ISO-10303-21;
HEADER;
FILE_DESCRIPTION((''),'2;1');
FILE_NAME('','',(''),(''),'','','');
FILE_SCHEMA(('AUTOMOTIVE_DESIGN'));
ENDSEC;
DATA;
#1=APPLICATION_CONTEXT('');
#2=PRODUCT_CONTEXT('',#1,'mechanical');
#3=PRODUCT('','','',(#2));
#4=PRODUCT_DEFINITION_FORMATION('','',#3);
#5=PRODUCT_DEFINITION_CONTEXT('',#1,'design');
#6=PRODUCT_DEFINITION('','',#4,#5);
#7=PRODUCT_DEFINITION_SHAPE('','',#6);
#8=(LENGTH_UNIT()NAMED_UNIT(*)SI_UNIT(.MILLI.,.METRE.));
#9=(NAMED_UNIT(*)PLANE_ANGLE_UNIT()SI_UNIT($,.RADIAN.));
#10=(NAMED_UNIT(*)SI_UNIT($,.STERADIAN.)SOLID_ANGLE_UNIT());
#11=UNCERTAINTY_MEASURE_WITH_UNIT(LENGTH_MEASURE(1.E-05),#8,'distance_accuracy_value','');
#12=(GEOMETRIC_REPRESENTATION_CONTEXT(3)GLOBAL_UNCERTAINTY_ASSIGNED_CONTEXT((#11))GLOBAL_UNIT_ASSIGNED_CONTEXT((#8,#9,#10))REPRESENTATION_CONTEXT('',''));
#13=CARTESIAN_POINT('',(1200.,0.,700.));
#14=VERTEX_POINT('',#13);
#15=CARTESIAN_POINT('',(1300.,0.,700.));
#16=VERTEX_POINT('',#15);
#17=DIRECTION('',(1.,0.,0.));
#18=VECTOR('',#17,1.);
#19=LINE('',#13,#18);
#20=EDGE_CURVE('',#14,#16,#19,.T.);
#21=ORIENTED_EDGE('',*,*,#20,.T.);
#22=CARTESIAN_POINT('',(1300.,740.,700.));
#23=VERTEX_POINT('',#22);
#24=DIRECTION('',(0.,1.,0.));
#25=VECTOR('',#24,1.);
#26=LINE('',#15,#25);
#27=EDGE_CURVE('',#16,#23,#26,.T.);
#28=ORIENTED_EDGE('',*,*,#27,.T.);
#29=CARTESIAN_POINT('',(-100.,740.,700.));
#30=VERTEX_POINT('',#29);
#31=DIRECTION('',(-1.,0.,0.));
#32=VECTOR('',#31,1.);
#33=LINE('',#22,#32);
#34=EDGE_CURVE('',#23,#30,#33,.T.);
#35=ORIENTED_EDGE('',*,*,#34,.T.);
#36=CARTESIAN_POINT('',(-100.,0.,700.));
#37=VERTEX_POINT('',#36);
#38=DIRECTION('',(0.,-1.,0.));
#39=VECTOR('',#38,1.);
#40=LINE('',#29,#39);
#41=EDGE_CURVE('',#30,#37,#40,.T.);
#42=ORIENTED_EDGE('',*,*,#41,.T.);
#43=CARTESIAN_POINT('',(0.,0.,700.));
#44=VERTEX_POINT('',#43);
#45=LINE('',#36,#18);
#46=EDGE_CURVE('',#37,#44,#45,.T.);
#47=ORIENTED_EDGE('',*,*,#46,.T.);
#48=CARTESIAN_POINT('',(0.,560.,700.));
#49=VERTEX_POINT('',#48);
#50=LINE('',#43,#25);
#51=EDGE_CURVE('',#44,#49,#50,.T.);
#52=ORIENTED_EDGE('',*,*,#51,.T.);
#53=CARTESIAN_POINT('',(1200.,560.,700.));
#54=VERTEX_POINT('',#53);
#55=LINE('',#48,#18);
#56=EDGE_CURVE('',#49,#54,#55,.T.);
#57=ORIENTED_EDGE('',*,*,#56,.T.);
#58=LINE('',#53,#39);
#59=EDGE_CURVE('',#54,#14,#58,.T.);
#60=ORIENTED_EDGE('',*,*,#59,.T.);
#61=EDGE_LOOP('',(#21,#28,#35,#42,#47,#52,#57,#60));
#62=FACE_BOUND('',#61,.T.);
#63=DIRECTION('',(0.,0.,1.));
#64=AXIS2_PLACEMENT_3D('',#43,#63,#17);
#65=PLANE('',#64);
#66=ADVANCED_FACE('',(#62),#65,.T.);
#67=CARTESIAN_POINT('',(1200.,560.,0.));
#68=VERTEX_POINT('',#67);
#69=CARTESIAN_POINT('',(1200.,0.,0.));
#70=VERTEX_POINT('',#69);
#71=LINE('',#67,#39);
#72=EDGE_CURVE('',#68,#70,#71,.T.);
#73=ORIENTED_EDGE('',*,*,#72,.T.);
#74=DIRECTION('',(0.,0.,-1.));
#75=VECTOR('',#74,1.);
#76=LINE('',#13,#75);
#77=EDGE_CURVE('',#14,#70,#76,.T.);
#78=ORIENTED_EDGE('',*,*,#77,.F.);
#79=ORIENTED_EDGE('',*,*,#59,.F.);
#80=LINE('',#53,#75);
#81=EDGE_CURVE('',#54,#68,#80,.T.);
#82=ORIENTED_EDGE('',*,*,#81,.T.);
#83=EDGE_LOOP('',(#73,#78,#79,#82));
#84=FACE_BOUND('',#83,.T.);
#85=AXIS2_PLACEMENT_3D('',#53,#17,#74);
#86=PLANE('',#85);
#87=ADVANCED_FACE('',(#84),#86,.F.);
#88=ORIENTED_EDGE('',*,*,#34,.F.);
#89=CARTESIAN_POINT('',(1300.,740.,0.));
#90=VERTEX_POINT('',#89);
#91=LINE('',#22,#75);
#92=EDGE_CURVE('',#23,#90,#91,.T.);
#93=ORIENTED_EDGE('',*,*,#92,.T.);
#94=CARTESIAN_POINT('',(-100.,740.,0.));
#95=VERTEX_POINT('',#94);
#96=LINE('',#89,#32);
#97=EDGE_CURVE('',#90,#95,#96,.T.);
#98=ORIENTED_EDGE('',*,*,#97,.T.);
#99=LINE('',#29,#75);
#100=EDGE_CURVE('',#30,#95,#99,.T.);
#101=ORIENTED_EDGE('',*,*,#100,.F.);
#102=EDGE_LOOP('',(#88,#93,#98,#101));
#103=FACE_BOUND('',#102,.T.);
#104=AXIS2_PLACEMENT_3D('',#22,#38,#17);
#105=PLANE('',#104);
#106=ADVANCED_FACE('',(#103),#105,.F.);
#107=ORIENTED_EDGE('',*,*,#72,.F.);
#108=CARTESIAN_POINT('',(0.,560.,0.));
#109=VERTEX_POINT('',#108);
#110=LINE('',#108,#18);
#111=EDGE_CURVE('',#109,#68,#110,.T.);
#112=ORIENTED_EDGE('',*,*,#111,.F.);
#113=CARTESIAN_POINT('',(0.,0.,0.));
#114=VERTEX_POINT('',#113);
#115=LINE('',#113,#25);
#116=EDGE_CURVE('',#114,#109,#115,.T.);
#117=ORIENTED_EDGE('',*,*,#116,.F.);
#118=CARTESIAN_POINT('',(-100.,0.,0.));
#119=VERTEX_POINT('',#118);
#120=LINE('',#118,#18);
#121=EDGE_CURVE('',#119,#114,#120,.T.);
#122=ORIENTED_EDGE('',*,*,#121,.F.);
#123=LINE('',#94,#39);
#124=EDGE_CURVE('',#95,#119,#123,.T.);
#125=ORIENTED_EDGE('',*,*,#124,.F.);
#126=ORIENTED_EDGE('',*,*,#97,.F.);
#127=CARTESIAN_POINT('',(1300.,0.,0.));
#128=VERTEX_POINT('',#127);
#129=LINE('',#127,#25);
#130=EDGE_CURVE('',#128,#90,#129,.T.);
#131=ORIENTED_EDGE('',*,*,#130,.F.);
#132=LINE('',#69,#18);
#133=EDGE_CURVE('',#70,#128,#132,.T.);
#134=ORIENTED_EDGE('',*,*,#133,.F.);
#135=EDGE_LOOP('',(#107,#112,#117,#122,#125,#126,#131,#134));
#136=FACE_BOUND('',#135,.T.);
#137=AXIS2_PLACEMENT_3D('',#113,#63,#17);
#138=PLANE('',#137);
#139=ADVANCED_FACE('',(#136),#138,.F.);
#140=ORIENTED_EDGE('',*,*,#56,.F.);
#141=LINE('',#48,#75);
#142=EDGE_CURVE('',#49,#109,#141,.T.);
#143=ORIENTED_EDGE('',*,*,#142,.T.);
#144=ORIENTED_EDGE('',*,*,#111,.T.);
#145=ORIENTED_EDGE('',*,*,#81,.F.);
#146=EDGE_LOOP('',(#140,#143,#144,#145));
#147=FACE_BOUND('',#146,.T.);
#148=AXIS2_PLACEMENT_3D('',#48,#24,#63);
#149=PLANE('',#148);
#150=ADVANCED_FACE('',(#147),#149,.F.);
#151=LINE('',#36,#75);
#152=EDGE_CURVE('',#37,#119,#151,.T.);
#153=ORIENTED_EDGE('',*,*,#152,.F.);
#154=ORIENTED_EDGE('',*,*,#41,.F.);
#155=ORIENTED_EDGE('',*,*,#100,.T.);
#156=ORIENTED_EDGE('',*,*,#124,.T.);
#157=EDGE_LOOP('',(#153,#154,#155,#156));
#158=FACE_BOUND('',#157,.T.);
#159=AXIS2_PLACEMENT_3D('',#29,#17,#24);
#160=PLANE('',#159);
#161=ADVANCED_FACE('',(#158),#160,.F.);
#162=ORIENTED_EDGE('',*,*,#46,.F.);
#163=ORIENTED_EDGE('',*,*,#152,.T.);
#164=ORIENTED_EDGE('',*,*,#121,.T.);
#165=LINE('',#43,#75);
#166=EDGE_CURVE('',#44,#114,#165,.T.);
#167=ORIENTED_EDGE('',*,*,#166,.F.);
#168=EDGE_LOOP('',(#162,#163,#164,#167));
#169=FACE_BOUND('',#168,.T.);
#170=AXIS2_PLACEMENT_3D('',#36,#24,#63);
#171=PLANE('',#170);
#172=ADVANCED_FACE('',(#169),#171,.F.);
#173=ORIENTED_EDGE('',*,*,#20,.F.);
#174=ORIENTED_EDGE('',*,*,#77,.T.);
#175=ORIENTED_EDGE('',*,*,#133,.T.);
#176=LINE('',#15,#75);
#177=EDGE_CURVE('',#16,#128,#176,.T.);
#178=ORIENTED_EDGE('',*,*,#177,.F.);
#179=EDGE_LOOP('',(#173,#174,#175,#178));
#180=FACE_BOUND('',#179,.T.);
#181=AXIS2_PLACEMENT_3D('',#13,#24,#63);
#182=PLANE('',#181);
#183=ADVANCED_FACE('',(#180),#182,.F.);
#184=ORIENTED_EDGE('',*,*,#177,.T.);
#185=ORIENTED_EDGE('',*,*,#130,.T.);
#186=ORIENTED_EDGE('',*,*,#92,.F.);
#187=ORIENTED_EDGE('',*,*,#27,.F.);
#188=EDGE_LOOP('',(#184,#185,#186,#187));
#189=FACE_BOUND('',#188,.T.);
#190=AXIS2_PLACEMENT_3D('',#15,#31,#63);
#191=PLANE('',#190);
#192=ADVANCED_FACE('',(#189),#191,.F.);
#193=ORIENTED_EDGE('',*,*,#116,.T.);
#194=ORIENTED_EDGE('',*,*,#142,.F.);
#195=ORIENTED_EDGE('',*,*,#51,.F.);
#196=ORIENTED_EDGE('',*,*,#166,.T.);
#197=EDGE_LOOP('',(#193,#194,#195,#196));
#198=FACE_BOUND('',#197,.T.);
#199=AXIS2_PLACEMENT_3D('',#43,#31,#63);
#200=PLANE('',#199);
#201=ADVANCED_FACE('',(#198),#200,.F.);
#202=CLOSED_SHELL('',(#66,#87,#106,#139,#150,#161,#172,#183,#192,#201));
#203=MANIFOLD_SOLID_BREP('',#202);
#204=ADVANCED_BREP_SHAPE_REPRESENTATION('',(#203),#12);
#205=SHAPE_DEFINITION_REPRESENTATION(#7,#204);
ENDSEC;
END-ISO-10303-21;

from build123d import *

# Parameters (mm, degrees)
ESTRUSIONE_ESTRUSIONE1_DEPTH = 700


with BuildPart() as part:
    # Schizzo1 → Estrusione-Estrusione1 (new body)
    with BuildSketch(Plane.XY):
        Polygon((-100, 0), (0, 0), (0, 560), (1200, 560), (1200, 0), (1300, 0), (1300, 740), (-100, 740), align=None)
    extrude(amount=ESTRUSIONE_ESTRUSIONE1_DEPTH)


solid = part.part
